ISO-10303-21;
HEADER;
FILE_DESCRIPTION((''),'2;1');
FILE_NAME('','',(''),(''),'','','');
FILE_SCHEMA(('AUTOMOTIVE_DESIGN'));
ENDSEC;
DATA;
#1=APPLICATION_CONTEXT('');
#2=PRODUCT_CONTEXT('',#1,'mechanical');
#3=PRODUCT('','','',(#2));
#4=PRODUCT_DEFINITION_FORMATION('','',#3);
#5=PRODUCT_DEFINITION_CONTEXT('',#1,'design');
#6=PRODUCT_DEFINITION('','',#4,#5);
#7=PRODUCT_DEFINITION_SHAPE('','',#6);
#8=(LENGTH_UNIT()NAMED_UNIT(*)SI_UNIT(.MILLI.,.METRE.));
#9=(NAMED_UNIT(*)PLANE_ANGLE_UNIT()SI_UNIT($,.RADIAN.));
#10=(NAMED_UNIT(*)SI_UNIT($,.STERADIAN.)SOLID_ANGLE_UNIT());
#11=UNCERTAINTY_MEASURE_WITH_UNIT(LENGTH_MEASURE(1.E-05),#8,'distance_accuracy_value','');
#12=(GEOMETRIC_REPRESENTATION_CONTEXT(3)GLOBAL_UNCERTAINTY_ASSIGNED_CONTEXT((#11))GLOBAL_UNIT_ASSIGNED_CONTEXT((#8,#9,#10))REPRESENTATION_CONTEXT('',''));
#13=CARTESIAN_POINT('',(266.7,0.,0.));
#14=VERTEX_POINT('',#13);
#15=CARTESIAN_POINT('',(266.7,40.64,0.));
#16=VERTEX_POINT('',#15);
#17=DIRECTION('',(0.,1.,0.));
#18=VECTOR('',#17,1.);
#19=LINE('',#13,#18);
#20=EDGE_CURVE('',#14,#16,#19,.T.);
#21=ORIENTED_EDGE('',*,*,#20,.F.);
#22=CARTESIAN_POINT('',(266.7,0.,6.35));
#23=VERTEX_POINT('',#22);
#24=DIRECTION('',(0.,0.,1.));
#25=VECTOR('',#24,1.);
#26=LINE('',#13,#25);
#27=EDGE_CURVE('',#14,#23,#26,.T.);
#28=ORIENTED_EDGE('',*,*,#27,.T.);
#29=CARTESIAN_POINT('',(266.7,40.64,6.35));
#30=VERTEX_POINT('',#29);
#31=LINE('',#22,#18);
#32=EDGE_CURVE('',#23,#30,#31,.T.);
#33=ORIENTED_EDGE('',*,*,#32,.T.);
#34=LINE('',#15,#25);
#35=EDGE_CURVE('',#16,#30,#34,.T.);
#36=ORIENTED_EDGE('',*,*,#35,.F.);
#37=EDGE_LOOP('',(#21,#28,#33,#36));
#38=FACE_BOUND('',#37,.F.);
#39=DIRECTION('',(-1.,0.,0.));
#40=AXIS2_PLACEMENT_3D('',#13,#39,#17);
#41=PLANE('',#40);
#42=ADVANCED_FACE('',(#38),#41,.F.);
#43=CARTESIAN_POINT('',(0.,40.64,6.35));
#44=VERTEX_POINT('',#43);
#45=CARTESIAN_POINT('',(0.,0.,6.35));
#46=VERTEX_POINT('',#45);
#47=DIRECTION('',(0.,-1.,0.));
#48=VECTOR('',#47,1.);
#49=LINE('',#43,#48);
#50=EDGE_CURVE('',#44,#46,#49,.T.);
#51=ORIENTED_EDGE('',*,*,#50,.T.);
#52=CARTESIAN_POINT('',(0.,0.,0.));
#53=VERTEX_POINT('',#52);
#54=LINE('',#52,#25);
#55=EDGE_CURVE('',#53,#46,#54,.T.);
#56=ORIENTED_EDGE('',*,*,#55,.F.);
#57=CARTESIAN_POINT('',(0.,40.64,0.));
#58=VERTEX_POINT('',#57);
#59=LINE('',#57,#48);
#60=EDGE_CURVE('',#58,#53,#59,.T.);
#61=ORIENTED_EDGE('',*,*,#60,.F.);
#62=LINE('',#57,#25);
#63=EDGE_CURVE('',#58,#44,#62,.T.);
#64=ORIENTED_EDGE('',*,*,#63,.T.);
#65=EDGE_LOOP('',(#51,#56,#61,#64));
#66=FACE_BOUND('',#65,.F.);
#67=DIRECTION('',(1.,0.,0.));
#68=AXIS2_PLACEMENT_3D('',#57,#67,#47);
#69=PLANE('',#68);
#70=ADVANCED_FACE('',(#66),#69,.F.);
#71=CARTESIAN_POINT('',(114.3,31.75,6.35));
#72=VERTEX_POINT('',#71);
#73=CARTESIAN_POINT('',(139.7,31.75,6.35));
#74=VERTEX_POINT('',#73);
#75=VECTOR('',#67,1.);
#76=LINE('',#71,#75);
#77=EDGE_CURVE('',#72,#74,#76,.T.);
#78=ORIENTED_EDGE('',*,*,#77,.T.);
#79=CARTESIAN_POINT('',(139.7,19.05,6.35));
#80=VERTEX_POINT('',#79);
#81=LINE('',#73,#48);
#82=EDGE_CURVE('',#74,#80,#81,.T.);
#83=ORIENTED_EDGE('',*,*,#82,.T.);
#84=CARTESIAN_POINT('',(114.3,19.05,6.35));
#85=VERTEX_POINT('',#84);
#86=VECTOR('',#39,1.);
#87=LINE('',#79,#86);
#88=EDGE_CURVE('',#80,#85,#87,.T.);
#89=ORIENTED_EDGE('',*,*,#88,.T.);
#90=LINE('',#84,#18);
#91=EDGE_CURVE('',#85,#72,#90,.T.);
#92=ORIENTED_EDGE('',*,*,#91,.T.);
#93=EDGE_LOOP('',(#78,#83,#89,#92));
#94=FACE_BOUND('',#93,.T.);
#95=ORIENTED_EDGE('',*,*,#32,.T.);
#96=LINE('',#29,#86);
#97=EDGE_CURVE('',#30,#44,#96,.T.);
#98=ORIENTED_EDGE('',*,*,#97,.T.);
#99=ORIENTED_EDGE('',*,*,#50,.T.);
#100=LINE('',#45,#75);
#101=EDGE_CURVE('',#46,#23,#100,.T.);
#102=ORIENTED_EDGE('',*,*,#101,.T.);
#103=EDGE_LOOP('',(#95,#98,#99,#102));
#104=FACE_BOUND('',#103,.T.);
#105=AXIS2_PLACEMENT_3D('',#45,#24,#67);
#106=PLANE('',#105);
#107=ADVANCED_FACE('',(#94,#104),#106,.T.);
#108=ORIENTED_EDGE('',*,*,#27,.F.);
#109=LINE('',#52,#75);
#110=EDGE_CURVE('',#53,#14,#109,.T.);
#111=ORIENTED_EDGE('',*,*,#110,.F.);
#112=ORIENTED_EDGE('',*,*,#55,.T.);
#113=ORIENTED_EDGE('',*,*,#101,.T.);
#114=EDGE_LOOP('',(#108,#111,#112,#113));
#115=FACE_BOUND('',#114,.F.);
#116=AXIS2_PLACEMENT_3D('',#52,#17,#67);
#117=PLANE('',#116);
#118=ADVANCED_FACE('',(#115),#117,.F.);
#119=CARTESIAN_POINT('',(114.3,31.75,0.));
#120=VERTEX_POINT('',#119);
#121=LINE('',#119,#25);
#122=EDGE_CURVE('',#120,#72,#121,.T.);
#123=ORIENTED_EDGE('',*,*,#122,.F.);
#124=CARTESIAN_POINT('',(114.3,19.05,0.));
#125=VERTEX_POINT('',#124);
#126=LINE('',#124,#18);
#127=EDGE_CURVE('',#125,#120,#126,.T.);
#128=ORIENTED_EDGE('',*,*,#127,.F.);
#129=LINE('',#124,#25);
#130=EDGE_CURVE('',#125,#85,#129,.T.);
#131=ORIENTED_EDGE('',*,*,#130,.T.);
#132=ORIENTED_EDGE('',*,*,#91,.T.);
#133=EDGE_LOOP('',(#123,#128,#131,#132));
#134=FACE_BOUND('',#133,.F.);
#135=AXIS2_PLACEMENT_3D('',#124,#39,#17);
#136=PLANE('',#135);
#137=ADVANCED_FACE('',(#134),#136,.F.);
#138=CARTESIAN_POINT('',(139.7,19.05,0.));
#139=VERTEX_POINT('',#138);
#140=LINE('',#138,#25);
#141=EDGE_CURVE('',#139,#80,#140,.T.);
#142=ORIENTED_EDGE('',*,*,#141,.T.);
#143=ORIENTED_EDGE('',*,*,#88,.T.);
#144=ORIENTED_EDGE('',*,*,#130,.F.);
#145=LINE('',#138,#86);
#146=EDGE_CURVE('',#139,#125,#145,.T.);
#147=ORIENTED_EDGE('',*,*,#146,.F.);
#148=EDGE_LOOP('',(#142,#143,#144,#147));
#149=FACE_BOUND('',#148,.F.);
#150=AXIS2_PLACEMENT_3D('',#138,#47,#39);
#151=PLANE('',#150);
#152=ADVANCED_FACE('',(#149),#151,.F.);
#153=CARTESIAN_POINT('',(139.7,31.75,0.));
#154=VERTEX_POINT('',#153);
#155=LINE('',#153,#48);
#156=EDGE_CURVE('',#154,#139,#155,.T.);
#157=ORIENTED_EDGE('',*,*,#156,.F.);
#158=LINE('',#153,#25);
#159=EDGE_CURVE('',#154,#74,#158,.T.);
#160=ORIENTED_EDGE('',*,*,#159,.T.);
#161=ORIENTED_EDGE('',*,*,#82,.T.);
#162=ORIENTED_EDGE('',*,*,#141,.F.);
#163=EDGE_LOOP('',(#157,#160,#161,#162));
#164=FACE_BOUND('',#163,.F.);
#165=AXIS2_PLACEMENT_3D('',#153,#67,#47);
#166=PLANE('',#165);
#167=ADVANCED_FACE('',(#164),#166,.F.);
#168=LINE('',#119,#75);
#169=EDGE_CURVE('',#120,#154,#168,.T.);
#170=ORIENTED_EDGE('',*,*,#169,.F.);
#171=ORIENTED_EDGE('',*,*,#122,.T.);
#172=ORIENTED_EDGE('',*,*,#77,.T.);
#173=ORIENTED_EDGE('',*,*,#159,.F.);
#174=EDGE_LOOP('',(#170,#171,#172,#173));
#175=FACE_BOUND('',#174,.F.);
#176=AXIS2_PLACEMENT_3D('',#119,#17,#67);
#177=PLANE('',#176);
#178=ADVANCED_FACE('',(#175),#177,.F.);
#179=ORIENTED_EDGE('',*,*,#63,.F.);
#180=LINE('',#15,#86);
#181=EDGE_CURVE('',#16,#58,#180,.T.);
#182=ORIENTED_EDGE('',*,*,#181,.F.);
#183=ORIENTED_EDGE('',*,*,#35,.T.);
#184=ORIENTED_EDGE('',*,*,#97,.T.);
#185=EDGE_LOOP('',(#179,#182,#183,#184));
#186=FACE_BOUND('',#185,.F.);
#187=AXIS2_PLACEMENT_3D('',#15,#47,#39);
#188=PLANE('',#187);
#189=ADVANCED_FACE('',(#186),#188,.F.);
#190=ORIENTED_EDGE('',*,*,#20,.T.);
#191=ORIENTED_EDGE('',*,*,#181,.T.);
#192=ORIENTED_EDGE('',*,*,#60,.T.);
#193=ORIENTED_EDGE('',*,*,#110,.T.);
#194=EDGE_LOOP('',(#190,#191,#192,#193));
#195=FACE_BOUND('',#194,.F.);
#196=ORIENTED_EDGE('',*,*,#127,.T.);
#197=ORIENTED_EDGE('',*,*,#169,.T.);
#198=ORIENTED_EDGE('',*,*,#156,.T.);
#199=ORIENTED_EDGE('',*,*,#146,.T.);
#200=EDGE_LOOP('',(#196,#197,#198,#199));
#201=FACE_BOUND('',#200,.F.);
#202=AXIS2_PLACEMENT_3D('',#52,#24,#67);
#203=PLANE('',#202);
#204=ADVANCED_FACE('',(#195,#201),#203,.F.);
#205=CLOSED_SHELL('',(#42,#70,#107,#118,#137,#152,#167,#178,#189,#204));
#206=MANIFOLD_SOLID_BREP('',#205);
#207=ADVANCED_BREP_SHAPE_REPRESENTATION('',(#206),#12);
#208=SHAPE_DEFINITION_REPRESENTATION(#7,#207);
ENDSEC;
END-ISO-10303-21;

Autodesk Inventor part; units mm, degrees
ref_plane "YZ Plane" through (0, 0, 0) normal (1, 0, 0) x (0, 1, 0)
ref_plane "XZ Plane" through (0, 0, 0) normal (0, 1, 0) x (-1, 0, 0)
ref_plane "XY Plane" through (0, 0, 0) normal (0, 0, 1) x (1, 0, 0)
sketch "Sketch1" plane through (0, 0, 0) normal (0, 0, 1) x (1, 0, 0)
  line L0 (0, 0) -> (266.7, 0)
  line L1 (266.7, 0) -> (266.7, 40.64)
  line L2 (266.7, 40.64) -> (0, 40.64)
  line L3 (0, 40.64) -> (0, 0)
  line L4 (114.3, 31.75) -> (139.7, 31.75)
  line L5 (139.7, 31.75) -> (139.7, 19.05)
  line L6 (139.7, 19.05) -> (114.3, 19.05)
  line L7 (114.3, 19.05) -> (114.3, 31.75)
  dimension "d0" = 266.7
  dimension "d1" = 40.64
  dimension "d2" = 25.4
  dimension "d3" = 12.7
  dimension "d4" = 19.05
  dimension "d5" = 127
extrude "Extrusion1" add sketch "Sketch1" along normal blind 6.35
properties part number "latchplate2" material "Aluminum 6061"
